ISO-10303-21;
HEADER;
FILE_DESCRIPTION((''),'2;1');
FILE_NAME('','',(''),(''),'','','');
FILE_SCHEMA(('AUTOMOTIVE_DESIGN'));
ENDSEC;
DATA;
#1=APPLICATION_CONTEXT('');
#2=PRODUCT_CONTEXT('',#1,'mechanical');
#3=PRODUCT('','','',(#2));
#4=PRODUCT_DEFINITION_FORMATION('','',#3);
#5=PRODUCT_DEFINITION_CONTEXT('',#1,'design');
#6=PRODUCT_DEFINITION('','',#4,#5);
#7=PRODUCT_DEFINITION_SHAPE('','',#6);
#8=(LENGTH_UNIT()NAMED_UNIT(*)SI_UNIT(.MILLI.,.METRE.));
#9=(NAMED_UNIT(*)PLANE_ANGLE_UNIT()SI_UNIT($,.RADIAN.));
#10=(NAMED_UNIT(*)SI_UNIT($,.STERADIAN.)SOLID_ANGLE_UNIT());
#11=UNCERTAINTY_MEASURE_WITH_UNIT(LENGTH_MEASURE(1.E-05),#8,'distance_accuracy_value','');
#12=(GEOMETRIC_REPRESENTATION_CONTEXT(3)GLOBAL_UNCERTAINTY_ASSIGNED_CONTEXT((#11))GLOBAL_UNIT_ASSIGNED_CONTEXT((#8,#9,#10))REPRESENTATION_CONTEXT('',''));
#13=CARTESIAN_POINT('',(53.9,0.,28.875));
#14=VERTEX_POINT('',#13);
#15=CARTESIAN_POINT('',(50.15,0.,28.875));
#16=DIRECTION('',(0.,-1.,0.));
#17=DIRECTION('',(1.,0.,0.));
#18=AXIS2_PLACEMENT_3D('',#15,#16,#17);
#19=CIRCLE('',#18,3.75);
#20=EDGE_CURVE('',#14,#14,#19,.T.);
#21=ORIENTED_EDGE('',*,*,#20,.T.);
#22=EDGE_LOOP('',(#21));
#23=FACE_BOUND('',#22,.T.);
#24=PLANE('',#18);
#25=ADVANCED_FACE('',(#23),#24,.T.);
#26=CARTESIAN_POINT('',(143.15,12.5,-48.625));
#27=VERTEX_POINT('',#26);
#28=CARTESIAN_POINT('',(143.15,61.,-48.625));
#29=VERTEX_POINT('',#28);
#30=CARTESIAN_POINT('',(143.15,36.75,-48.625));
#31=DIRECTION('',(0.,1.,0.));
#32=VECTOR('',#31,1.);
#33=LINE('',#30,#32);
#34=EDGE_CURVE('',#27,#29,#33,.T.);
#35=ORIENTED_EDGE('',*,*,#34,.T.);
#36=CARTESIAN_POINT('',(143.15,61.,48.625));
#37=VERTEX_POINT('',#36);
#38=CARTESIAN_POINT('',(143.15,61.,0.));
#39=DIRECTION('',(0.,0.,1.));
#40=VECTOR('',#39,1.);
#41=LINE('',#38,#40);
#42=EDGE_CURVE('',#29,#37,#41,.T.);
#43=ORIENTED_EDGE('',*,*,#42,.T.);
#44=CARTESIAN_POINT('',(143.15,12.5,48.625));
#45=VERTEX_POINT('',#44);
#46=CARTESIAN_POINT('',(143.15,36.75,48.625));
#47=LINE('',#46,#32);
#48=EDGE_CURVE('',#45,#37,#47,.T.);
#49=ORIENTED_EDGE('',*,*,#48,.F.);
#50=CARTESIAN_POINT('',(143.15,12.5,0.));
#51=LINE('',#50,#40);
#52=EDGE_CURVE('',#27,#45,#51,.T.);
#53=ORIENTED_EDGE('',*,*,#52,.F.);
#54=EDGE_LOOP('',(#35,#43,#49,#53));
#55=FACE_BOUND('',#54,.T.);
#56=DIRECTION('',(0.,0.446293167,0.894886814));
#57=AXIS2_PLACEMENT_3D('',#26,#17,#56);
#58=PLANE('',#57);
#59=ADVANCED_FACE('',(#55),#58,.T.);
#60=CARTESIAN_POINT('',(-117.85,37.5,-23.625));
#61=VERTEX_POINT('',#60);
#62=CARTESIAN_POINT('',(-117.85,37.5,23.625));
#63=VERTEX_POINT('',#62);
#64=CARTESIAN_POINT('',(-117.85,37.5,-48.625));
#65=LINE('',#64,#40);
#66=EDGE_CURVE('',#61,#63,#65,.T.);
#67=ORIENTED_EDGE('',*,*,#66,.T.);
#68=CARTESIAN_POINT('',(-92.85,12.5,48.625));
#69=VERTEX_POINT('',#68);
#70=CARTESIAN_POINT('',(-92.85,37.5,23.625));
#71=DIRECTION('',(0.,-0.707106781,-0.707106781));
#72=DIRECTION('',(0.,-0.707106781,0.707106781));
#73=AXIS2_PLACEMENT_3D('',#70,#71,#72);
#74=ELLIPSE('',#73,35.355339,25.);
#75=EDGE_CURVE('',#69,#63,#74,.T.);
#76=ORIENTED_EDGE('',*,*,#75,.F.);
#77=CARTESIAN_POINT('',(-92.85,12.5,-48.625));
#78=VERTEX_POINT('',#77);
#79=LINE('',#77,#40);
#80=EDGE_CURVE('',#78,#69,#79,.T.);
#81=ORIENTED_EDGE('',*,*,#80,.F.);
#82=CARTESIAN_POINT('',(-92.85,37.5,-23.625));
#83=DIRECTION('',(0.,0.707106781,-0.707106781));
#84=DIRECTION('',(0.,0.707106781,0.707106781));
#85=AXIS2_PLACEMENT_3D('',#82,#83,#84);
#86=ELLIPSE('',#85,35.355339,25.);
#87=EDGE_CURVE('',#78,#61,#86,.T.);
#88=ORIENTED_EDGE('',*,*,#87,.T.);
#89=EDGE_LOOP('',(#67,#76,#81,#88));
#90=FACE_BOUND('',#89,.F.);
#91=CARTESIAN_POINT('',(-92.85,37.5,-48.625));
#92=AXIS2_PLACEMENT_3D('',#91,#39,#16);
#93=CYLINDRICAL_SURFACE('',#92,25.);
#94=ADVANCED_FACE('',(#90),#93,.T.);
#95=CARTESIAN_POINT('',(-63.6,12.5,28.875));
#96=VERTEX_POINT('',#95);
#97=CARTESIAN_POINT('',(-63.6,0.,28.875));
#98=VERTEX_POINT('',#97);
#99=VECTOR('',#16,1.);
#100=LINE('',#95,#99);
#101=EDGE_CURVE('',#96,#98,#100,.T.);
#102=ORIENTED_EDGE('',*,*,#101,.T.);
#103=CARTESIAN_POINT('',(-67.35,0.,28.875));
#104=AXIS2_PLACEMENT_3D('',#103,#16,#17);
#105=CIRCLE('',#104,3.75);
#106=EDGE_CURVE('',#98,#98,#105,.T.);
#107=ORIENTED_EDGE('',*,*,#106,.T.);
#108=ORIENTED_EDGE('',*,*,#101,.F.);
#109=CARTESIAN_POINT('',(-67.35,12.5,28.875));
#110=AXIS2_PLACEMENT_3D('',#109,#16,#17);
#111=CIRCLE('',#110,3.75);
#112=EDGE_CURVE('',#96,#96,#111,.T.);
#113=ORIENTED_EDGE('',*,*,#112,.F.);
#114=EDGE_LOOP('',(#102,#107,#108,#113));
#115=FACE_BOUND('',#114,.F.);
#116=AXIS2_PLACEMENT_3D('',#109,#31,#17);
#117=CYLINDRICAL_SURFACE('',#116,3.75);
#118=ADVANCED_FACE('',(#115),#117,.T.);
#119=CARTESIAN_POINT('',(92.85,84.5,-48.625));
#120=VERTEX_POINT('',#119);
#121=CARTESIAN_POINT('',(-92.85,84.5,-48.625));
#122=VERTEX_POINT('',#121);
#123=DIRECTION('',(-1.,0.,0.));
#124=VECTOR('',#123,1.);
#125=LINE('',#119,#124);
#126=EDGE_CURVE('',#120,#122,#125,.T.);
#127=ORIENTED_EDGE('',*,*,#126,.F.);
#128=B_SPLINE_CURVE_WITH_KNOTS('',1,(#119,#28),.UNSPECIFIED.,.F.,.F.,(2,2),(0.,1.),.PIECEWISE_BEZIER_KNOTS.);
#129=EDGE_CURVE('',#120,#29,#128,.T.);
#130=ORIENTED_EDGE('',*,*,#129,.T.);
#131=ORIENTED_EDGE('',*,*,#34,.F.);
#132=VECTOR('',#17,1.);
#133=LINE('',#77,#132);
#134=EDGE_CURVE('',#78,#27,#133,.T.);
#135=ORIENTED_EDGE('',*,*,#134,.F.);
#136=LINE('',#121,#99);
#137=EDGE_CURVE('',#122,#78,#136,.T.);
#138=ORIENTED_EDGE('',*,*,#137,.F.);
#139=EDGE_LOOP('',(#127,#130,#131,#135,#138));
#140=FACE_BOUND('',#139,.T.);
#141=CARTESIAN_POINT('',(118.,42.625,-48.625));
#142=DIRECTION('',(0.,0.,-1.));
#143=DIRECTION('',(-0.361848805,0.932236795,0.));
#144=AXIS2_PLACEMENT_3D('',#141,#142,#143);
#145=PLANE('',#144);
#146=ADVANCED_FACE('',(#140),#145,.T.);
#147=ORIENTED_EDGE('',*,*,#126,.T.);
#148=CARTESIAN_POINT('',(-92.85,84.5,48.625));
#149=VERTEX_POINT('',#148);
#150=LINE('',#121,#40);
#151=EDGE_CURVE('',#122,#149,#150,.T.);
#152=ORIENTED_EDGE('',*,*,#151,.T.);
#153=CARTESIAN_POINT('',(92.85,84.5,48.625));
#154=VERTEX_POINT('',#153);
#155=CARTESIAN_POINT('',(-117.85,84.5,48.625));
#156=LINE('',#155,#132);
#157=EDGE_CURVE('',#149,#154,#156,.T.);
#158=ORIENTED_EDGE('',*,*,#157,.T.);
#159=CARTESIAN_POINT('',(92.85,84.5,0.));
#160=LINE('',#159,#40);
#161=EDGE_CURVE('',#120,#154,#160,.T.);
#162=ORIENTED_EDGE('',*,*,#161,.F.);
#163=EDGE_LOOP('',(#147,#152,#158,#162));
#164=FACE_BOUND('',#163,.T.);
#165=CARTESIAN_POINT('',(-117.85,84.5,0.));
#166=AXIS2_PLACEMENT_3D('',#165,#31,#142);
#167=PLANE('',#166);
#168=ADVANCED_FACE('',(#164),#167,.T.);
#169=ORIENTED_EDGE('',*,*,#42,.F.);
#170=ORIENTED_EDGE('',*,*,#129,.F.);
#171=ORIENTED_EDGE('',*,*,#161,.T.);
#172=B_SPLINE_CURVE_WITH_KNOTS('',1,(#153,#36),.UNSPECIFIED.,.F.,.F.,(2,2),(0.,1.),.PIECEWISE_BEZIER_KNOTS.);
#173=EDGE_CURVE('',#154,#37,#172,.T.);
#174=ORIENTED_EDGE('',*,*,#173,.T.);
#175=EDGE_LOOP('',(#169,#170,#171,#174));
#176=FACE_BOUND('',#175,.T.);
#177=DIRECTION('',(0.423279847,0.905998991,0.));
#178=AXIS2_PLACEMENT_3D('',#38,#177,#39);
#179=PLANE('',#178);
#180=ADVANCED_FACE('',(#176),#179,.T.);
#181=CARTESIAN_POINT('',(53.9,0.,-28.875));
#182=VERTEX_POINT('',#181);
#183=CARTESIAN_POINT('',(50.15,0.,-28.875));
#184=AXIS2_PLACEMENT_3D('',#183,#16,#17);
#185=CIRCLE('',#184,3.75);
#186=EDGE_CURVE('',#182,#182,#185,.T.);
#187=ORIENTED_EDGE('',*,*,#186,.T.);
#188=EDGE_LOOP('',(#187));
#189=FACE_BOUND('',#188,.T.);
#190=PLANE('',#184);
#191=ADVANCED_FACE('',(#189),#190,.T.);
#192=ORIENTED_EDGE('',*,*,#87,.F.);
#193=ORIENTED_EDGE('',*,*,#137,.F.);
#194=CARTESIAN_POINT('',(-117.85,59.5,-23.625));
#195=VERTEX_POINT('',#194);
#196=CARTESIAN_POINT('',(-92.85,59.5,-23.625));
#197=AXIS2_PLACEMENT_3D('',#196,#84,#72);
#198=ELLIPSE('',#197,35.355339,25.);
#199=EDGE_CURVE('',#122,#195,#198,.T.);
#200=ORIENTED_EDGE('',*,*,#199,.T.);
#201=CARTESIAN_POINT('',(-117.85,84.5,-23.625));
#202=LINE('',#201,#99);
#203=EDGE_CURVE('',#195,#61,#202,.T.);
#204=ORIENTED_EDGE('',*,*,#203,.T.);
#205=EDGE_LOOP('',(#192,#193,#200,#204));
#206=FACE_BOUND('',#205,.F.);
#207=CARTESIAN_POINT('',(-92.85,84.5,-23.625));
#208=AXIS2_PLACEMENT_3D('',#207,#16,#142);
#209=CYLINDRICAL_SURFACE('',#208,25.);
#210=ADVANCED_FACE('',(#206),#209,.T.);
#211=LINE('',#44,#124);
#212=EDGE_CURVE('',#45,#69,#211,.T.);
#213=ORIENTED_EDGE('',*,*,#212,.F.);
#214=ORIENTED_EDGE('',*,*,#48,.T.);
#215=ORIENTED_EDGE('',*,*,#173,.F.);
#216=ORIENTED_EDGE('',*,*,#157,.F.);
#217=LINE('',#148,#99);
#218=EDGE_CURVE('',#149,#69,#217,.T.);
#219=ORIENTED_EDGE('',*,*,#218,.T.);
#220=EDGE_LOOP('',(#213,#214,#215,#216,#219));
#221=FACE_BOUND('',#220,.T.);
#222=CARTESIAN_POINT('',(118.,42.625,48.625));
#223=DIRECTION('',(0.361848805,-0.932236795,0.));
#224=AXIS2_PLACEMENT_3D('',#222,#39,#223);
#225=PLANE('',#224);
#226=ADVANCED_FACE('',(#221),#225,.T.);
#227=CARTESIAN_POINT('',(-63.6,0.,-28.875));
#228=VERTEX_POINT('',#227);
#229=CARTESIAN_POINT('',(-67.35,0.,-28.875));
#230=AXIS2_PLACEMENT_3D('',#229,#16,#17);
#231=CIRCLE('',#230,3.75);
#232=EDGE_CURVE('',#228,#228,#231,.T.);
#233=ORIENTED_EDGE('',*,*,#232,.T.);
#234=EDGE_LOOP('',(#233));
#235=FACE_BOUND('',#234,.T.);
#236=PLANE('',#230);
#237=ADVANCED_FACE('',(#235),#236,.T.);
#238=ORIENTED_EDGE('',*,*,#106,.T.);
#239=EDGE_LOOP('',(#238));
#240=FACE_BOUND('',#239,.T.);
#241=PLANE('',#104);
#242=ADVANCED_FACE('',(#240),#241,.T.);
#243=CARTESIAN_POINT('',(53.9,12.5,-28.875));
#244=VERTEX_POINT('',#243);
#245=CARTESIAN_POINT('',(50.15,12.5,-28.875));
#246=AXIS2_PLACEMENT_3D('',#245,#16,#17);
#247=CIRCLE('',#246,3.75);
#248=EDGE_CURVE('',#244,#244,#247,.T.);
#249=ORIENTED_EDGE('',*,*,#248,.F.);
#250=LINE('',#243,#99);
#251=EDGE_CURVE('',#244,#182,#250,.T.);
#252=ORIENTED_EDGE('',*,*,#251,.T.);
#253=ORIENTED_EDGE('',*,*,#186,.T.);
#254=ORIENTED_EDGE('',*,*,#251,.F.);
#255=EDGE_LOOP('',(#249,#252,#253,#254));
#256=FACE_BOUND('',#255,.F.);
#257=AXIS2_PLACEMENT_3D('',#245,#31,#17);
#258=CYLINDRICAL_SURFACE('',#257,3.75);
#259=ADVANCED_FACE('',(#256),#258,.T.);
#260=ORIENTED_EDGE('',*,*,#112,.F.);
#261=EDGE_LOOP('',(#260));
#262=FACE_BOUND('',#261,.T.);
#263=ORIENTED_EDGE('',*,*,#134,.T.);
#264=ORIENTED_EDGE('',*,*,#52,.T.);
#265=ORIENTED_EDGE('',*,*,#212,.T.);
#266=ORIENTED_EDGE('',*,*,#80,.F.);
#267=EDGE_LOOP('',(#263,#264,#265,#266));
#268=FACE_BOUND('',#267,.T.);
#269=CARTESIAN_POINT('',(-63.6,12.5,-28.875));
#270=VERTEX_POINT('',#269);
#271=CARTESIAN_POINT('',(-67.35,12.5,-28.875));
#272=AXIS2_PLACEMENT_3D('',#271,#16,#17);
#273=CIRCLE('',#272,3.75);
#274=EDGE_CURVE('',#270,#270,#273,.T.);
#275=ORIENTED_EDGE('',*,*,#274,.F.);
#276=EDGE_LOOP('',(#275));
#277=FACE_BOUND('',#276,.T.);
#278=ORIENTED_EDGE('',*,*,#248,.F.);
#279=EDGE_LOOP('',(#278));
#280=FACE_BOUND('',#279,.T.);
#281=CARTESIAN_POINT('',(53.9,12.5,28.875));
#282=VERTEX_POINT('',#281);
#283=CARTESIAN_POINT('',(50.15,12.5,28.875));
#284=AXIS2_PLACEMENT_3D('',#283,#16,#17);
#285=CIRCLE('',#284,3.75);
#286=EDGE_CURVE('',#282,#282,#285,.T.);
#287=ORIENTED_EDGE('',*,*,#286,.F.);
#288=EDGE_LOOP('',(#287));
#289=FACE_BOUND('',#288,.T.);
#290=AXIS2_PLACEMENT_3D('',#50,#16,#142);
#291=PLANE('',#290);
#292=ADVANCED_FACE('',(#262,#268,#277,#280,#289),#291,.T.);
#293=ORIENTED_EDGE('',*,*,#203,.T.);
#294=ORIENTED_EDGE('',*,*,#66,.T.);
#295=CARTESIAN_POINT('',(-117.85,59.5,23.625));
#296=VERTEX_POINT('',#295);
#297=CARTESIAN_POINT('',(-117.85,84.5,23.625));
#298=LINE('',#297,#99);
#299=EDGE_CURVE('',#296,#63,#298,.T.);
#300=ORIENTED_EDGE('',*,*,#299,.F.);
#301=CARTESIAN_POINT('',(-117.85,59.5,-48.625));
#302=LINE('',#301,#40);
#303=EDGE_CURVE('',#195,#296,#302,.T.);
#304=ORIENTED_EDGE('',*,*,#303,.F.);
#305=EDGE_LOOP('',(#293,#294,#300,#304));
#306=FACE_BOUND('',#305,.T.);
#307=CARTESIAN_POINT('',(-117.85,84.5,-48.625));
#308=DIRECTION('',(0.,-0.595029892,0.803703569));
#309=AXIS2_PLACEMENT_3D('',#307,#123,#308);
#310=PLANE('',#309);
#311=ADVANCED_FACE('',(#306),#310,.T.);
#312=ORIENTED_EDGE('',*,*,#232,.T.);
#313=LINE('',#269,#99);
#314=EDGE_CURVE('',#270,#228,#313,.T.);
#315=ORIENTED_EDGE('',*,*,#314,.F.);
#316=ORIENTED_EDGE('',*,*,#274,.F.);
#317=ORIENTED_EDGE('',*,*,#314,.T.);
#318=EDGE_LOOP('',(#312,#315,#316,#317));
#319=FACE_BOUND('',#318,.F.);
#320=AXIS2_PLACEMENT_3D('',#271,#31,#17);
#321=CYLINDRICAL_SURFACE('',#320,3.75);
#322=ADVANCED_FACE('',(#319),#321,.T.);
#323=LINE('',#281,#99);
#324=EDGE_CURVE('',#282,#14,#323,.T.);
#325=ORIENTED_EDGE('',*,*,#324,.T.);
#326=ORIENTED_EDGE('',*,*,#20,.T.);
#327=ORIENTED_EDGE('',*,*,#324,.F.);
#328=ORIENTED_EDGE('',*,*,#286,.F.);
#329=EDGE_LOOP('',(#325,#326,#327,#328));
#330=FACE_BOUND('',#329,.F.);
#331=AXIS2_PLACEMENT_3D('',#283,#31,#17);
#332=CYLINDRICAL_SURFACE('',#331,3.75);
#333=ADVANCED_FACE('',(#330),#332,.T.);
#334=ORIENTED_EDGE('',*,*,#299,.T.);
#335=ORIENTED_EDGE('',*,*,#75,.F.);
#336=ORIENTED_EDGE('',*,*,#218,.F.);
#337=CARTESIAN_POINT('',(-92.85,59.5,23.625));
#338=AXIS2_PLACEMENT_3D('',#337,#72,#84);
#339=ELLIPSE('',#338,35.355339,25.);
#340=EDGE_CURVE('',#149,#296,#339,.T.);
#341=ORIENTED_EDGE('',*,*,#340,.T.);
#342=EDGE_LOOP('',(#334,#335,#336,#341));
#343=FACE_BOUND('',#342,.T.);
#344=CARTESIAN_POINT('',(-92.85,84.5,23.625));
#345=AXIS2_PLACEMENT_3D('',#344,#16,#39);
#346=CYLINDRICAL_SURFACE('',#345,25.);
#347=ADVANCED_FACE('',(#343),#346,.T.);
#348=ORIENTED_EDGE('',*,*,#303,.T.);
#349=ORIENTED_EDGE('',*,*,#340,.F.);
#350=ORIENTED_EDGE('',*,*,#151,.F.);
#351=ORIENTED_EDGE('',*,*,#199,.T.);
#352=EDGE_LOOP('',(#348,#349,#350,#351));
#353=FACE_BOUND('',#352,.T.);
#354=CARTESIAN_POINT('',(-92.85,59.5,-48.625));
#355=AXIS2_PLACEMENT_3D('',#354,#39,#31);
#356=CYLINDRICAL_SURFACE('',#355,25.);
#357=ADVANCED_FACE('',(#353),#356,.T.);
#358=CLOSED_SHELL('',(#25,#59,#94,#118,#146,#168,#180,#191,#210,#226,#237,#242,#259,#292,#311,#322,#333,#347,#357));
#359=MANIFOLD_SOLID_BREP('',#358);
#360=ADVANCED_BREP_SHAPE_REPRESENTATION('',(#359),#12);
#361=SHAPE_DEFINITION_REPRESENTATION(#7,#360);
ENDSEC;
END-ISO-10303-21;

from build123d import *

# Parameters (mm, degrees)
F1_W       = 185.7
F1_H       = 97.25
F2_DEPTH   = 72
F2_FACE_W  = 72
F2_FACE_H  = 97.25
F4_W       = 72
F4_H       = 97.25
F6_R       = 25
F2_FACE1_W = 72
F2_FACE1_H = 97.25
F8_W       = 48.5
F8_H       = 97.25
F10_R      = 3.75
F11_DEPTH  = 12.5


with BuildPart() as f2:
    # F1 (on offset) → F2 (new body)
    with BuildSketch(Plane.XZ.offset(-84.5)):
        Rectangle(F1_W, F1_H)
    extrude(amount=F2_DEPTH)

    # F2_face (on face) → F5 section 0
    with BuildSketch(Plane(origin=(-92.85, 48.5, 0), x_dir=(0, -1, 0), z_dir=(-1, 0, 0))):
        Rectangle(F2_FACE_W, F2_FACE_H)
    # F4 (on offset) → F5 section 1
    with BuildSketch(Plane(origin=(-117.85, 0, 0), x_dir=(0, -1, 0), z_dir=(-1, 0, 0))):
        with Locations((-48.5, 0)):
            Rectangle(F4_W, F4_H)
    loft()

    # F6
    f6_edges = [f2.edges().sort_by_distance(p)[0] for p in [
        (-117.85, 84.5, 0),
        (-117.85, 12.5, 0),
        (-117.85, 48.5, 48.625),
        (-117.85, 48.5, -48.625),
    ]]
    fillet(f6_edges, radius=F6_R)

    # F2_face1 (on face) → F9 section 0
    with BuildSketch(Plane(origin=(92.85, 48.5, 0), x_dir=(0, 1, 0), z_dir=(1, 0, 0))):
        Rectangle(F2_FACE1_W, F2_FACE1_H)
    # F8 (on offset) → F9 section 1
    with BuildSketch(Plane.YZ.offset(143.15)):
        with Locations((36.75, 0)):
            Rectangle(F8_W, F8_H)
    loft()

    # F10 (on face) → F11 (join)
    with BuildSketch(Plane.XZ.offset(-12.5)):
        with Locations((-67.35, -28.875)):
            Circle(F10_R)
        with Locations((50.15, -28.875)):
            Circle(F10_R)
        with Locations((50.15, 28.875)):
            Circle(F10_R)
        with Locations((-67.35, 28.875)):
            Circle(F10_R)
    extrude(amount=F11_DEPTH)


solid = f2.part
